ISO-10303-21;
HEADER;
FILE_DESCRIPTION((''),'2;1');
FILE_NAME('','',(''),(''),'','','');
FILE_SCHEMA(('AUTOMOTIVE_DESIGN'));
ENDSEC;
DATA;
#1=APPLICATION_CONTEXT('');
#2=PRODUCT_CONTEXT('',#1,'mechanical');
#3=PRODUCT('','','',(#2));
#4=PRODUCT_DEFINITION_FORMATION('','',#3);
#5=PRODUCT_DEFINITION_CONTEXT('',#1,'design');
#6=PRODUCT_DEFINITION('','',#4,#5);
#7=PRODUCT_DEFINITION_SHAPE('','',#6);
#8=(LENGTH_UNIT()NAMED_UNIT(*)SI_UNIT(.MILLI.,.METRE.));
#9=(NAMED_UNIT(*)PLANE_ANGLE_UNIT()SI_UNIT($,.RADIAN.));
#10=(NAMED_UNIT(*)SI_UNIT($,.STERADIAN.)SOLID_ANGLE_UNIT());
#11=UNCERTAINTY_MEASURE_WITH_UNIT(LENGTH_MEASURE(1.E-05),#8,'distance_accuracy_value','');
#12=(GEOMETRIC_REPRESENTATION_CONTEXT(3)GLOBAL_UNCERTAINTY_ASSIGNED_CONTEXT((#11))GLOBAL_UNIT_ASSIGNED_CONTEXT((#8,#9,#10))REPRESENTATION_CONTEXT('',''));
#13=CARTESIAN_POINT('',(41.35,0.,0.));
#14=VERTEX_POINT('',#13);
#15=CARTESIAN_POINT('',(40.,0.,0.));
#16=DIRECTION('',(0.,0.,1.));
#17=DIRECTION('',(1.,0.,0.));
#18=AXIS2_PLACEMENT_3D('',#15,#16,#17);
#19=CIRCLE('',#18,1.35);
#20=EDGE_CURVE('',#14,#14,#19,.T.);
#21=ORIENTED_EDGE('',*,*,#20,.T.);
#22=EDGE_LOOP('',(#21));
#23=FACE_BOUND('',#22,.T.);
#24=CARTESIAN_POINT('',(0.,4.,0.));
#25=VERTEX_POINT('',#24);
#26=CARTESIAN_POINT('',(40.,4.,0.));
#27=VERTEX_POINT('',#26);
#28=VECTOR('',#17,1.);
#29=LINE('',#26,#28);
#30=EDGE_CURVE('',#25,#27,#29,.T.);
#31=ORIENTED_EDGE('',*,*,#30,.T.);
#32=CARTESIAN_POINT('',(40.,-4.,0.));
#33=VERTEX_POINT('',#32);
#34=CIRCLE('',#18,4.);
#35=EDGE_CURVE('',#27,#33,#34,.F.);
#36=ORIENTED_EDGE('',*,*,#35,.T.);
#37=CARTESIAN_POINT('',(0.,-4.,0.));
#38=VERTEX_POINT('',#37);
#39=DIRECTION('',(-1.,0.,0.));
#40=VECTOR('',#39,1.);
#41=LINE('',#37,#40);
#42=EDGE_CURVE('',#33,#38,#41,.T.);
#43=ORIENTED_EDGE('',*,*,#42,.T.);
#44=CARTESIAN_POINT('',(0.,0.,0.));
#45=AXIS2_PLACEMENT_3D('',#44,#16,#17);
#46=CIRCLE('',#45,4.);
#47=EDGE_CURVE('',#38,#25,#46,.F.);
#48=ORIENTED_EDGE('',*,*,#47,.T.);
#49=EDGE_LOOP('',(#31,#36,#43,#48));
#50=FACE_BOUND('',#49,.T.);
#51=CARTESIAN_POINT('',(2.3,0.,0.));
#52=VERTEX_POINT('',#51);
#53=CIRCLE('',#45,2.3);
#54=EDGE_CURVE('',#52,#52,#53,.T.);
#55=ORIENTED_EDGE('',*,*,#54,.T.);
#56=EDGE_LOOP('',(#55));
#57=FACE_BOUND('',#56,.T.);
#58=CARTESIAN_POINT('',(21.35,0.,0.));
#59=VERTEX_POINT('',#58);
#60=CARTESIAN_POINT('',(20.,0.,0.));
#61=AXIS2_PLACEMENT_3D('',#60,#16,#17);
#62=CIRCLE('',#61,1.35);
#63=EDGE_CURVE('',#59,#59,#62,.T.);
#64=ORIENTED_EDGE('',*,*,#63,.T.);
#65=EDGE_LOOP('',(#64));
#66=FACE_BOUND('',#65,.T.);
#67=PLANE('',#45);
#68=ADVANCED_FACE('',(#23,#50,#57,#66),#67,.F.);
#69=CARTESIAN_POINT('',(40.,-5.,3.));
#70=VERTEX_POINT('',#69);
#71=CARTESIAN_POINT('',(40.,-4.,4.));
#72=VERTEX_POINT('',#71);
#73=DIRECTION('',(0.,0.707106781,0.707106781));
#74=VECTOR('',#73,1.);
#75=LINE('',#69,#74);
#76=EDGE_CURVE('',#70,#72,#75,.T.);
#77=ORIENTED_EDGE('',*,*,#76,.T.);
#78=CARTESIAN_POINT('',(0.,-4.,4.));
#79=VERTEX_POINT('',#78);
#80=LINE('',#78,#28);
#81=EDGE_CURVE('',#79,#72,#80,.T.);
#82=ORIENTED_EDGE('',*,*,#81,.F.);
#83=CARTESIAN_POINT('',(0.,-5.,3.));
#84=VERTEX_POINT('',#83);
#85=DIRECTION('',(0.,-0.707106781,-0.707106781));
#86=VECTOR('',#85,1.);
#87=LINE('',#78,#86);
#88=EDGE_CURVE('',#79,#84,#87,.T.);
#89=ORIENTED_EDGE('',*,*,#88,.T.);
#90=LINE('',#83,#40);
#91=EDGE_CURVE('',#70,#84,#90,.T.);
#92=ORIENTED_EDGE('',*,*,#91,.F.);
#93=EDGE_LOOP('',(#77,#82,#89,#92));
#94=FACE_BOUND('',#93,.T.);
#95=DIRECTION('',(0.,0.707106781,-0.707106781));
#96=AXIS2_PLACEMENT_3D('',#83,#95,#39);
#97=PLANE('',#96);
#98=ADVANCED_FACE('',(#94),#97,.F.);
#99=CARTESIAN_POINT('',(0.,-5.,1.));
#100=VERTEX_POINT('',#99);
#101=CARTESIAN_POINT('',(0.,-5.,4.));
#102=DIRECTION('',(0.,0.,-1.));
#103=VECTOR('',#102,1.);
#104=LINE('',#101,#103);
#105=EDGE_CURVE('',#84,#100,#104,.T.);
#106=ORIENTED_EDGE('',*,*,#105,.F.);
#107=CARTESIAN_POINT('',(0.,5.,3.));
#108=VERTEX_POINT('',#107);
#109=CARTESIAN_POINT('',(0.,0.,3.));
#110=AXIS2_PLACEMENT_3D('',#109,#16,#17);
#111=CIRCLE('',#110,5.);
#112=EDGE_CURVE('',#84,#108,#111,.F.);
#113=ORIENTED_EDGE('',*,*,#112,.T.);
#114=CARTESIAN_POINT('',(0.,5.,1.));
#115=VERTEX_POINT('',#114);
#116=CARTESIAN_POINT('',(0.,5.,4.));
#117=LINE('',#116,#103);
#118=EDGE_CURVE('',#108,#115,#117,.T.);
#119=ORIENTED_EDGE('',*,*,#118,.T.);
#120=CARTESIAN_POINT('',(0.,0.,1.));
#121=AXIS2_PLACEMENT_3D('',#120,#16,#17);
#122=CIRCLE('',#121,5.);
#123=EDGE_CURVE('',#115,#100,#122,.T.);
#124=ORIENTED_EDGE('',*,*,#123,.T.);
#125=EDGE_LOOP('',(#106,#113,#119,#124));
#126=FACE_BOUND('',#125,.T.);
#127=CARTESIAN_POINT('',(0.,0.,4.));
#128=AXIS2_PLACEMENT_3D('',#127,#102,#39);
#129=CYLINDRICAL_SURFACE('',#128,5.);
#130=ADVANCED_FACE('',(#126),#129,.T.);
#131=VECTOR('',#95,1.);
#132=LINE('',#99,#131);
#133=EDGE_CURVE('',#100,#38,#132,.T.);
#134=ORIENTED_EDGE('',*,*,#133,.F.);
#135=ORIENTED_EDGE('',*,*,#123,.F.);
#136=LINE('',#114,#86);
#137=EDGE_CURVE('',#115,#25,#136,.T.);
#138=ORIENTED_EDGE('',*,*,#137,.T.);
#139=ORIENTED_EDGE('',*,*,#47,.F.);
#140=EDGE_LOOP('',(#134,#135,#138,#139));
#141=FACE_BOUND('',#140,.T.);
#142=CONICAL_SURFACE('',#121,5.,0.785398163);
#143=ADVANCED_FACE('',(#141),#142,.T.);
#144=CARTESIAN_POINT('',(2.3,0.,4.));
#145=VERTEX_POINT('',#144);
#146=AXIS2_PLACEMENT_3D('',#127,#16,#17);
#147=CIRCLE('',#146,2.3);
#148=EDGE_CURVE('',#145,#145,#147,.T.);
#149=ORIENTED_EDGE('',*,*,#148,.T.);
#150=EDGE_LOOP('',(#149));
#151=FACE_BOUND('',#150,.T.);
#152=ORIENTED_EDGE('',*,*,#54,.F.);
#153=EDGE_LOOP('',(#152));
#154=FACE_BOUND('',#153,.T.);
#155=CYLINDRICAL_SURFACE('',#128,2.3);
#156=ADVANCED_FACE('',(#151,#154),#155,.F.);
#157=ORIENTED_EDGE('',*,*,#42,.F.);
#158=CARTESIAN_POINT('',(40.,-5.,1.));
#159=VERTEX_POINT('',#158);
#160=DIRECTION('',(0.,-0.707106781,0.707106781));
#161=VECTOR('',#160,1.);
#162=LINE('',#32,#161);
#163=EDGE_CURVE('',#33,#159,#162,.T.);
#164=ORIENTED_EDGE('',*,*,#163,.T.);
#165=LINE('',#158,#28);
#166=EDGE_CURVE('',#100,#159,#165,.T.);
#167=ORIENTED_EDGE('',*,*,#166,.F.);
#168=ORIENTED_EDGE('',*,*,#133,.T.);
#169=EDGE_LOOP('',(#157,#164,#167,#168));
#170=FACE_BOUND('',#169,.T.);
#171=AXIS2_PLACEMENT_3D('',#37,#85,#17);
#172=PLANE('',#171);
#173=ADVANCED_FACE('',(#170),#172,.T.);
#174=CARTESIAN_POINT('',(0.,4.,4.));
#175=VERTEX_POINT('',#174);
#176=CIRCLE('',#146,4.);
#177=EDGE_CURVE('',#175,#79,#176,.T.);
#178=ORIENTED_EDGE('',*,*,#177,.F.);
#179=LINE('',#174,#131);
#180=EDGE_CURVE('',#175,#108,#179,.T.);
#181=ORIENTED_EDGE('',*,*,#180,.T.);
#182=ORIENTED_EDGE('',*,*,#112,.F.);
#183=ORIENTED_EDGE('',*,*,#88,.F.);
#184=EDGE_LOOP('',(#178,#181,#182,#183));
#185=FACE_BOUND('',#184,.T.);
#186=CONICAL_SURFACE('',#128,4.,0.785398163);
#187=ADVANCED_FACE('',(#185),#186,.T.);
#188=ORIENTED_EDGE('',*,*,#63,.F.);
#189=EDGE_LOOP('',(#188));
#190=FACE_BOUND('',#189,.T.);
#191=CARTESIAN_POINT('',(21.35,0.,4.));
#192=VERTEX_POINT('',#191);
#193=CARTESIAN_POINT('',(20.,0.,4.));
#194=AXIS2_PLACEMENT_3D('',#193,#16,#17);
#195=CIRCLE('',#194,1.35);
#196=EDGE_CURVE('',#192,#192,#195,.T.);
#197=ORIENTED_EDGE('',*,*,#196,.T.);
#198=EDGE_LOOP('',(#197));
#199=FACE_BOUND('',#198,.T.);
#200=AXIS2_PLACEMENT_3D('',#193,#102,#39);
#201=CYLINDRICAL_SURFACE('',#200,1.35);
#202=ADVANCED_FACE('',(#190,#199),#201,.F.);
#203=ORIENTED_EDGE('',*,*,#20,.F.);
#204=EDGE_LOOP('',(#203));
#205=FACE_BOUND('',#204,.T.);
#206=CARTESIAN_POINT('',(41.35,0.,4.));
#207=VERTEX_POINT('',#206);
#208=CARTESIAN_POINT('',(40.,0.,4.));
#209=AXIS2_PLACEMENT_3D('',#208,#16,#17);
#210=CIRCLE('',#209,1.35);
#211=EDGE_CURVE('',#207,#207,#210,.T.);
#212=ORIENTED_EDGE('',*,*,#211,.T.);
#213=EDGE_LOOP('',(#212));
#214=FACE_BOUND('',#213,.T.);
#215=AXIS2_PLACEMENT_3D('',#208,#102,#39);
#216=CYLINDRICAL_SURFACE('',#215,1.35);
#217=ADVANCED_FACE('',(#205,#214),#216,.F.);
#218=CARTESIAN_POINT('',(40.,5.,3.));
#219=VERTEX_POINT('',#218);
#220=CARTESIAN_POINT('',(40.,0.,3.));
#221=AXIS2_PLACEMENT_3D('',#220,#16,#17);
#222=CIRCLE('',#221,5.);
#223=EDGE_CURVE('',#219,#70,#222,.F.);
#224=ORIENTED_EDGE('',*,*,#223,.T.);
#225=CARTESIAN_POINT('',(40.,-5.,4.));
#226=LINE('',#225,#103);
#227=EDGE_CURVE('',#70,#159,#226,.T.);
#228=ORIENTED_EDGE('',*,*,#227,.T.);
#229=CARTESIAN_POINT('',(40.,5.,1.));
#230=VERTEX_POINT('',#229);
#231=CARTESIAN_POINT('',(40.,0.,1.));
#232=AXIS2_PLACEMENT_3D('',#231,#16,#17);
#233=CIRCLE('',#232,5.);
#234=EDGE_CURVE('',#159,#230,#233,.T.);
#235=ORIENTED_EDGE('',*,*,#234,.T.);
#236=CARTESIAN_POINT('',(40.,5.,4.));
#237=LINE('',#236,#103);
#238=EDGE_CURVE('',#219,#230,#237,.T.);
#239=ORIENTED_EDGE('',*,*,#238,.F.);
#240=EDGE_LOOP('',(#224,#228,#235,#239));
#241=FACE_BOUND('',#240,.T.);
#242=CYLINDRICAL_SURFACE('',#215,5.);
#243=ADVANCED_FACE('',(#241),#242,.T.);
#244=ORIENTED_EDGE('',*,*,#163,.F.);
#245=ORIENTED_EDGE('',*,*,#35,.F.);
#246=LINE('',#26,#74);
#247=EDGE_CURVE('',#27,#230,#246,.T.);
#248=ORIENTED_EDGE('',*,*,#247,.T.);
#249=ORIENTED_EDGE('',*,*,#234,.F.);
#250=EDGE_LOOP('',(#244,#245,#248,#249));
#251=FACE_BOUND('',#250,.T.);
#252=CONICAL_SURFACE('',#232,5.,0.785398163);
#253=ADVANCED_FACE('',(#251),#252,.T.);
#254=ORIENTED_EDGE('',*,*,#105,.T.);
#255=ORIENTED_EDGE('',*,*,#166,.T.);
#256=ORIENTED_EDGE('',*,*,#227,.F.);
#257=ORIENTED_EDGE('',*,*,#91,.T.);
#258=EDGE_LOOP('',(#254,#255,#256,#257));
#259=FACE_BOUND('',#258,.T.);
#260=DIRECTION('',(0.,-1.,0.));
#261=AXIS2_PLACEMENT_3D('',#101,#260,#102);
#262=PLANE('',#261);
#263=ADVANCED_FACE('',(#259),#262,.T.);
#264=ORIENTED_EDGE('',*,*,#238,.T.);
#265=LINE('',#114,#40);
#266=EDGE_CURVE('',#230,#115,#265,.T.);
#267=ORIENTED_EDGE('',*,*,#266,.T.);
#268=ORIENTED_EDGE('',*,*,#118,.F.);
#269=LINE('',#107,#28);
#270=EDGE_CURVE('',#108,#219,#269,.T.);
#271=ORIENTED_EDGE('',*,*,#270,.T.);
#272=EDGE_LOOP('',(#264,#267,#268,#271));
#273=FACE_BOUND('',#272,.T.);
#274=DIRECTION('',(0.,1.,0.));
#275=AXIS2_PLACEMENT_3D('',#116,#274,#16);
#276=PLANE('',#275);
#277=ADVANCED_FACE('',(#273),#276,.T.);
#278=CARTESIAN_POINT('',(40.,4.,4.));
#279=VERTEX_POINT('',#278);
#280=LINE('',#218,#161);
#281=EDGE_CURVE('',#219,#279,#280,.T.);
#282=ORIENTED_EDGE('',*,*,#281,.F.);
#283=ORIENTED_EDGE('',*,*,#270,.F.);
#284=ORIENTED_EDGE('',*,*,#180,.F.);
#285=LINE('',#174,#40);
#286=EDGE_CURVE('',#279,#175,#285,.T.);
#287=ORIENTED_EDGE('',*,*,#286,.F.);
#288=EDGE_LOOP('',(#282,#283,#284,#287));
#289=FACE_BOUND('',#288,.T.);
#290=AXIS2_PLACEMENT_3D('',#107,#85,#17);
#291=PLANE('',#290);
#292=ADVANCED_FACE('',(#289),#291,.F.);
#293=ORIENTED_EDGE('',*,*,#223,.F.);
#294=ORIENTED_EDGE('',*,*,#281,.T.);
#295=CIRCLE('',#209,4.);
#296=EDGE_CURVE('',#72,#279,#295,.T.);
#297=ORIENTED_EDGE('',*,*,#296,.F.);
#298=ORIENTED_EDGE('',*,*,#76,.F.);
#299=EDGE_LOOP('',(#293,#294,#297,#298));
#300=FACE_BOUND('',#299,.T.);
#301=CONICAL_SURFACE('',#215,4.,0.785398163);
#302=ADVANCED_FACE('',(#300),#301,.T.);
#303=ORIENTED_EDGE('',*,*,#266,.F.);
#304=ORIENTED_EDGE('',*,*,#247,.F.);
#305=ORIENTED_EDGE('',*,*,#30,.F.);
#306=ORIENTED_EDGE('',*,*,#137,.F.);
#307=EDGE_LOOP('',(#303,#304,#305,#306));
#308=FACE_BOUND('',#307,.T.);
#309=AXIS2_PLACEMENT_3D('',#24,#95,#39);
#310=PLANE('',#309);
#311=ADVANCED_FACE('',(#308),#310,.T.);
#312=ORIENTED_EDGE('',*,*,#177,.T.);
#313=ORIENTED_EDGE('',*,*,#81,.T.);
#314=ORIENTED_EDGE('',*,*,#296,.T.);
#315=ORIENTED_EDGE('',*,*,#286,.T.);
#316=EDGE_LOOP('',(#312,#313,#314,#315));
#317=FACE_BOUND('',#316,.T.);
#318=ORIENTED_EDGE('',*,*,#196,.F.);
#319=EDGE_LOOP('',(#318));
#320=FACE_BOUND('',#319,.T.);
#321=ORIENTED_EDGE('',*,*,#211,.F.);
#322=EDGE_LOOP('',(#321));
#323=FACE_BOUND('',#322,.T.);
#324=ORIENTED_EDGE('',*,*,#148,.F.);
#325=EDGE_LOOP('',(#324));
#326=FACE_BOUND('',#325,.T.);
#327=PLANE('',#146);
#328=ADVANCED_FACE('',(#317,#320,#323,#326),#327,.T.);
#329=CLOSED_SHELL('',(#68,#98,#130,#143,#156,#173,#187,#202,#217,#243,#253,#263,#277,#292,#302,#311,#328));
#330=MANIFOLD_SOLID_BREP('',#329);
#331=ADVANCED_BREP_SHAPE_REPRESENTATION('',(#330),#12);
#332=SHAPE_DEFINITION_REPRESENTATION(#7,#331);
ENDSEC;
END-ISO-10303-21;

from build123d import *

# Parameters (mm, degrees)
SKETCH1_R           = 1.35
SKETCH1_R_2         = 2.3
BOSS_EXTRUDE1_DEPTH = 4
CHAMFER1_SIZE       = 1


with BuildPart() as part:
    # Sketch1 → Boss-Extrude1 (new body)
    with BuildSketch(Plane.XY):
        with BuildLine():
            Line((40, 5), (0, 5))
            ThreePointArc((0, 5), (-5, 0), (0, -5))
            Line((0, -5), (40, -5))
            ThreePointArc((40, -5), (45, 0), (40, 5))
        make_face()
        with Locations((20, 0)):
            Circle(SKETCH1_R, mode=Mode.SUBTRACT)
        Circle(SKETCH1_R_2, mode=Mode.SUBTRACT)
        with Locations((40, 0)):
            Circle(SKETCH1_R, mode=Mode.SUBTRACT)
    extrude(amount=BOSS_EXTRUDE1_DEPTH)

    # Chamfer1
    chamfer1_edges = [part.edges().sort_by_distance(p)[0] for p in [
        (-5, 0, 0),
        (20, 5, 0),
        (45, 0, 0),
        (20, -5, 0),
        (45, 0, 4),
        (20, 5, 4),
        (-5, 0, 4),
        (20, -5, 4),
    ]]
    chamfer(chamfer1_edges, length=CHAMFER1_SIZE)


solid = part.part
